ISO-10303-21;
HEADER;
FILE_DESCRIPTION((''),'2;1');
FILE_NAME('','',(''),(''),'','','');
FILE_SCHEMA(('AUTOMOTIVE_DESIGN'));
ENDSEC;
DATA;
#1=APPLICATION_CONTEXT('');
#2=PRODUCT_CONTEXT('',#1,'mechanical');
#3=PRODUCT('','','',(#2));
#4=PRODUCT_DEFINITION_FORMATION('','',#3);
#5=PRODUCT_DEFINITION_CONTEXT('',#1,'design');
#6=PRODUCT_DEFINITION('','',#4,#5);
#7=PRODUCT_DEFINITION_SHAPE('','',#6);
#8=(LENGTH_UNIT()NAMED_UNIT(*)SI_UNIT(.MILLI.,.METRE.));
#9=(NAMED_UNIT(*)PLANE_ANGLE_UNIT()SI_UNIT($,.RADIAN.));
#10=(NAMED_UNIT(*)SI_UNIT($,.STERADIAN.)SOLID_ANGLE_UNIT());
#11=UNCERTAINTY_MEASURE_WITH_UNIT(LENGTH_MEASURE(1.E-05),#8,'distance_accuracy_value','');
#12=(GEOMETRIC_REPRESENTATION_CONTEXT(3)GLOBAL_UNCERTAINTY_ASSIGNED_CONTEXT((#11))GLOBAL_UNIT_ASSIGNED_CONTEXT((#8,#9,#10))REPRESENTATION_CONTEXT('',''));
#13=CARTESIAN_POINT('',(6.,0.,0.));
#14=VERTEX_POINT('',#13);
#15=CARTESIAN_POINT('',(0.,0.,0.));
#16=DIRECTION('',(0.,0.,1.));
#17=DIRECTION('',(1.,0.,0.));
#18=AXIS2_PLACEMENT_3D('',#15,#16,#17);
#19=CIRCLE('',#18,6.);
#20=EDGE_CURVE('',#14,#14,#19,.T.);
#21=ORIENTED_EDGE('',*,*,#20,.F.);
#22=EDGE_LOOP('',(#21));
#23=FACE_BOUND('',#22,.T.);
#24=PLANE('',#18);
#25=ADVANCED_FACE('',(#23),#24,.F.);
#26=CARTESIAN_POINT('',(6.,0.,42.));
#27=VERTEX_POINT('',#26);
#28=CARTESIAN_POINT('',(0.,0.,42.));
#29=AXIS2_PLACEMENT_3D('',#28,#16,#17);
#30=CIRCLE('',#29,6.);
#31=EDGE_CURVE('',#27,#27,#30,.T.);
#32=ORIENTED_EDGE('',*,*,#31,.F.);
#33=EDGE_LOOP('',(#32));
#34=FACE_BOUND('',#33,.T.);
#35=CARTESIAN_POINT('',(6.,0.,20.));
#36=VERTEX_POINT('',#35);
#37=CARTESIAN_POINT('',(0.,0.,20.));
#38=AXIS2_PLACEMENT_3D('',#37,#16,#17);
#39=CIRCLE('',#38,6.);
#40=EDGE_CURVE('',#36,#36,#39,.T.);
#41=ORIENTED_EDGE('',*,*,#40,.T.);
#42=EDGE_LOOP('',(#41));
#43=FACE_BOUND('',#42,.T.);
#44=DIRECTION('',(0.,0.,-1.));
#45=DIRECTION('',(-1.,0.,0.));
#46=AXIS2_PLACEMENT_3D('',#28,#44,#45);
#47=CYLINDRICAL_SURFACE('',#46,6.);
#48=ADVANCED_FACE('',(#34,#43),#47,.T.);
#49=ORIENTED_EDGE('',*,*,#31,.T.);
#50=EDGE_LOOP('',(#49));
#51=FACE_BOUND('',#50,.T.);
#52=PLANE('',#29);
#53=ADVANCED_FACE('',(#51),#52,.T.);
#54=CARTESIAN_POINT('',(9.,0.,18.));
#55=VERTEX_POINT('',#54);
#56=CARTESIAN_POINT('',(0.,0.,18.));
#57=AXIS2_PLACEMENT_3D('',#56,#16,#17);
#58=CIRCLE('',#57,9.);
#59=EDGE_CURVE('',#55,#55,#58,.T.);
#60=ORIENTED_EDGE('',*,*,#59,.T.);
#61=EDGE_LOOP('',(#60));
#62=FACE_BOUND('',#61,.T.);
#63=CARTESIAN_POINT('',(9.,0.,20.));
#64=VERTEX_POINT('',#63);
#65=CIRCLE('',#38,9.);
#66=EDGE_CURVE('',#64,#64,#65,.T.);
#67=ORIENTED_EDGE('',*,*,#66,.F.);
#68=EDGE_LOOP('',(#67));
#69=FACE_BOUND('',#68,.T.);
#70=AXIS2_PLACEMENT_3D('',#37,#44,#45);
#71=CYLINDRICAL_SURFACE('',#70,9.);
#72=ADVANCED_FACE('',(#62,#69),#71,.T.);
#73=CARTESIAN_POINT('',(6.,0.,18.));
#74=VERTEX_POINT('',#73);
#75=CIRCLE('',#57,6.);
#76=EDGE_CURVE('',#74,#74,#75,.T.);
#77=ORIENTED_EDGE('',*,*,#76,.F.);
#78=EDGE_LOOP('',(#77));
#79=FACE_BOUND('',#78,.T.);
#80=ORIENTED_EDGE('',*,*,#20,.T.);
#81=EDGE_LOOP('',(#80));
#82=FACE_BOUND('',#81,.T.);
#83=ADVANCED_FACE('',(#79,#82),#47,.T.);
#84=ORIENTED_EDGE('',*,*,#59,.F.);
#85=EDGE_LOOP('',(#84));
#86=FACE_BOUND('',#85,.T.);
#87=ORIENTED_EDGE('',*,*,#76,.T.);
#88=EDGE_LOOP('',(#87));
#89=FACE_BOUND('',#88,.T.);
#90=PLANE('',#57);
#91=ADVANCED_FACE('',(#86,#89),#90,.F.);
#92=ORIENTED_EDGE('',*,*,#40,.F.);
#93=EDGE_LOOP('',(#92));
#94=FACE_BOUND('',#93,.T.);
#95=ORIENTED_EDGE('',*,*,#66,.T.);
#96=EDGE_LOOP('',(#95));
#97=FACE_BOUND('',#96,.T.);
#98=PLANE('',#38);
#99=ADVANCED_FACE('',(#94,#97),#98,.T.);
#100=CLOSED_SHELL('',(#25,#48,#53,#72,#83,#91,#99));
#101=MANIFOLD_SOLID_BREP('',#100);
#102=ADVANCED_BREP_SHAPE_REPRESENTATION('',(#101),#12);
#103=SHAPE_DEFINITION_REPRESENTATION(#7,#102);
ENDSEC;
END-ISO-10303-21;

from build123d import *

# Parameters (mm, degrees)
SKETCH1_R           = 6
BOSS_EXTRUDE1_DEPTH = 42
BOSS_EXTRUDE2_START = -24
SKETCH2_R           = 9
BOSS_EXTRUDE2_DEPTH = 2


with BuildPart() as part:
    # Sketch1 → Boss-Extrude1 (new body)
    with BuildSketch(Plane.XY):
        Circle(SKETCH1_R)
    extrude(amount=BOSS_EXTRUDE1_DEPTH)

    # Sketch2 → Boss-Extrude2 (add)
    with BuildSketch(Plane.XY.offset(42).offset(BOSS_EXTRUDE2_START)):
        Circle(SKETCH2_R)
    extrude(amount=BOSS_EXTRUDE2_DEPTH)


solid = part.part
